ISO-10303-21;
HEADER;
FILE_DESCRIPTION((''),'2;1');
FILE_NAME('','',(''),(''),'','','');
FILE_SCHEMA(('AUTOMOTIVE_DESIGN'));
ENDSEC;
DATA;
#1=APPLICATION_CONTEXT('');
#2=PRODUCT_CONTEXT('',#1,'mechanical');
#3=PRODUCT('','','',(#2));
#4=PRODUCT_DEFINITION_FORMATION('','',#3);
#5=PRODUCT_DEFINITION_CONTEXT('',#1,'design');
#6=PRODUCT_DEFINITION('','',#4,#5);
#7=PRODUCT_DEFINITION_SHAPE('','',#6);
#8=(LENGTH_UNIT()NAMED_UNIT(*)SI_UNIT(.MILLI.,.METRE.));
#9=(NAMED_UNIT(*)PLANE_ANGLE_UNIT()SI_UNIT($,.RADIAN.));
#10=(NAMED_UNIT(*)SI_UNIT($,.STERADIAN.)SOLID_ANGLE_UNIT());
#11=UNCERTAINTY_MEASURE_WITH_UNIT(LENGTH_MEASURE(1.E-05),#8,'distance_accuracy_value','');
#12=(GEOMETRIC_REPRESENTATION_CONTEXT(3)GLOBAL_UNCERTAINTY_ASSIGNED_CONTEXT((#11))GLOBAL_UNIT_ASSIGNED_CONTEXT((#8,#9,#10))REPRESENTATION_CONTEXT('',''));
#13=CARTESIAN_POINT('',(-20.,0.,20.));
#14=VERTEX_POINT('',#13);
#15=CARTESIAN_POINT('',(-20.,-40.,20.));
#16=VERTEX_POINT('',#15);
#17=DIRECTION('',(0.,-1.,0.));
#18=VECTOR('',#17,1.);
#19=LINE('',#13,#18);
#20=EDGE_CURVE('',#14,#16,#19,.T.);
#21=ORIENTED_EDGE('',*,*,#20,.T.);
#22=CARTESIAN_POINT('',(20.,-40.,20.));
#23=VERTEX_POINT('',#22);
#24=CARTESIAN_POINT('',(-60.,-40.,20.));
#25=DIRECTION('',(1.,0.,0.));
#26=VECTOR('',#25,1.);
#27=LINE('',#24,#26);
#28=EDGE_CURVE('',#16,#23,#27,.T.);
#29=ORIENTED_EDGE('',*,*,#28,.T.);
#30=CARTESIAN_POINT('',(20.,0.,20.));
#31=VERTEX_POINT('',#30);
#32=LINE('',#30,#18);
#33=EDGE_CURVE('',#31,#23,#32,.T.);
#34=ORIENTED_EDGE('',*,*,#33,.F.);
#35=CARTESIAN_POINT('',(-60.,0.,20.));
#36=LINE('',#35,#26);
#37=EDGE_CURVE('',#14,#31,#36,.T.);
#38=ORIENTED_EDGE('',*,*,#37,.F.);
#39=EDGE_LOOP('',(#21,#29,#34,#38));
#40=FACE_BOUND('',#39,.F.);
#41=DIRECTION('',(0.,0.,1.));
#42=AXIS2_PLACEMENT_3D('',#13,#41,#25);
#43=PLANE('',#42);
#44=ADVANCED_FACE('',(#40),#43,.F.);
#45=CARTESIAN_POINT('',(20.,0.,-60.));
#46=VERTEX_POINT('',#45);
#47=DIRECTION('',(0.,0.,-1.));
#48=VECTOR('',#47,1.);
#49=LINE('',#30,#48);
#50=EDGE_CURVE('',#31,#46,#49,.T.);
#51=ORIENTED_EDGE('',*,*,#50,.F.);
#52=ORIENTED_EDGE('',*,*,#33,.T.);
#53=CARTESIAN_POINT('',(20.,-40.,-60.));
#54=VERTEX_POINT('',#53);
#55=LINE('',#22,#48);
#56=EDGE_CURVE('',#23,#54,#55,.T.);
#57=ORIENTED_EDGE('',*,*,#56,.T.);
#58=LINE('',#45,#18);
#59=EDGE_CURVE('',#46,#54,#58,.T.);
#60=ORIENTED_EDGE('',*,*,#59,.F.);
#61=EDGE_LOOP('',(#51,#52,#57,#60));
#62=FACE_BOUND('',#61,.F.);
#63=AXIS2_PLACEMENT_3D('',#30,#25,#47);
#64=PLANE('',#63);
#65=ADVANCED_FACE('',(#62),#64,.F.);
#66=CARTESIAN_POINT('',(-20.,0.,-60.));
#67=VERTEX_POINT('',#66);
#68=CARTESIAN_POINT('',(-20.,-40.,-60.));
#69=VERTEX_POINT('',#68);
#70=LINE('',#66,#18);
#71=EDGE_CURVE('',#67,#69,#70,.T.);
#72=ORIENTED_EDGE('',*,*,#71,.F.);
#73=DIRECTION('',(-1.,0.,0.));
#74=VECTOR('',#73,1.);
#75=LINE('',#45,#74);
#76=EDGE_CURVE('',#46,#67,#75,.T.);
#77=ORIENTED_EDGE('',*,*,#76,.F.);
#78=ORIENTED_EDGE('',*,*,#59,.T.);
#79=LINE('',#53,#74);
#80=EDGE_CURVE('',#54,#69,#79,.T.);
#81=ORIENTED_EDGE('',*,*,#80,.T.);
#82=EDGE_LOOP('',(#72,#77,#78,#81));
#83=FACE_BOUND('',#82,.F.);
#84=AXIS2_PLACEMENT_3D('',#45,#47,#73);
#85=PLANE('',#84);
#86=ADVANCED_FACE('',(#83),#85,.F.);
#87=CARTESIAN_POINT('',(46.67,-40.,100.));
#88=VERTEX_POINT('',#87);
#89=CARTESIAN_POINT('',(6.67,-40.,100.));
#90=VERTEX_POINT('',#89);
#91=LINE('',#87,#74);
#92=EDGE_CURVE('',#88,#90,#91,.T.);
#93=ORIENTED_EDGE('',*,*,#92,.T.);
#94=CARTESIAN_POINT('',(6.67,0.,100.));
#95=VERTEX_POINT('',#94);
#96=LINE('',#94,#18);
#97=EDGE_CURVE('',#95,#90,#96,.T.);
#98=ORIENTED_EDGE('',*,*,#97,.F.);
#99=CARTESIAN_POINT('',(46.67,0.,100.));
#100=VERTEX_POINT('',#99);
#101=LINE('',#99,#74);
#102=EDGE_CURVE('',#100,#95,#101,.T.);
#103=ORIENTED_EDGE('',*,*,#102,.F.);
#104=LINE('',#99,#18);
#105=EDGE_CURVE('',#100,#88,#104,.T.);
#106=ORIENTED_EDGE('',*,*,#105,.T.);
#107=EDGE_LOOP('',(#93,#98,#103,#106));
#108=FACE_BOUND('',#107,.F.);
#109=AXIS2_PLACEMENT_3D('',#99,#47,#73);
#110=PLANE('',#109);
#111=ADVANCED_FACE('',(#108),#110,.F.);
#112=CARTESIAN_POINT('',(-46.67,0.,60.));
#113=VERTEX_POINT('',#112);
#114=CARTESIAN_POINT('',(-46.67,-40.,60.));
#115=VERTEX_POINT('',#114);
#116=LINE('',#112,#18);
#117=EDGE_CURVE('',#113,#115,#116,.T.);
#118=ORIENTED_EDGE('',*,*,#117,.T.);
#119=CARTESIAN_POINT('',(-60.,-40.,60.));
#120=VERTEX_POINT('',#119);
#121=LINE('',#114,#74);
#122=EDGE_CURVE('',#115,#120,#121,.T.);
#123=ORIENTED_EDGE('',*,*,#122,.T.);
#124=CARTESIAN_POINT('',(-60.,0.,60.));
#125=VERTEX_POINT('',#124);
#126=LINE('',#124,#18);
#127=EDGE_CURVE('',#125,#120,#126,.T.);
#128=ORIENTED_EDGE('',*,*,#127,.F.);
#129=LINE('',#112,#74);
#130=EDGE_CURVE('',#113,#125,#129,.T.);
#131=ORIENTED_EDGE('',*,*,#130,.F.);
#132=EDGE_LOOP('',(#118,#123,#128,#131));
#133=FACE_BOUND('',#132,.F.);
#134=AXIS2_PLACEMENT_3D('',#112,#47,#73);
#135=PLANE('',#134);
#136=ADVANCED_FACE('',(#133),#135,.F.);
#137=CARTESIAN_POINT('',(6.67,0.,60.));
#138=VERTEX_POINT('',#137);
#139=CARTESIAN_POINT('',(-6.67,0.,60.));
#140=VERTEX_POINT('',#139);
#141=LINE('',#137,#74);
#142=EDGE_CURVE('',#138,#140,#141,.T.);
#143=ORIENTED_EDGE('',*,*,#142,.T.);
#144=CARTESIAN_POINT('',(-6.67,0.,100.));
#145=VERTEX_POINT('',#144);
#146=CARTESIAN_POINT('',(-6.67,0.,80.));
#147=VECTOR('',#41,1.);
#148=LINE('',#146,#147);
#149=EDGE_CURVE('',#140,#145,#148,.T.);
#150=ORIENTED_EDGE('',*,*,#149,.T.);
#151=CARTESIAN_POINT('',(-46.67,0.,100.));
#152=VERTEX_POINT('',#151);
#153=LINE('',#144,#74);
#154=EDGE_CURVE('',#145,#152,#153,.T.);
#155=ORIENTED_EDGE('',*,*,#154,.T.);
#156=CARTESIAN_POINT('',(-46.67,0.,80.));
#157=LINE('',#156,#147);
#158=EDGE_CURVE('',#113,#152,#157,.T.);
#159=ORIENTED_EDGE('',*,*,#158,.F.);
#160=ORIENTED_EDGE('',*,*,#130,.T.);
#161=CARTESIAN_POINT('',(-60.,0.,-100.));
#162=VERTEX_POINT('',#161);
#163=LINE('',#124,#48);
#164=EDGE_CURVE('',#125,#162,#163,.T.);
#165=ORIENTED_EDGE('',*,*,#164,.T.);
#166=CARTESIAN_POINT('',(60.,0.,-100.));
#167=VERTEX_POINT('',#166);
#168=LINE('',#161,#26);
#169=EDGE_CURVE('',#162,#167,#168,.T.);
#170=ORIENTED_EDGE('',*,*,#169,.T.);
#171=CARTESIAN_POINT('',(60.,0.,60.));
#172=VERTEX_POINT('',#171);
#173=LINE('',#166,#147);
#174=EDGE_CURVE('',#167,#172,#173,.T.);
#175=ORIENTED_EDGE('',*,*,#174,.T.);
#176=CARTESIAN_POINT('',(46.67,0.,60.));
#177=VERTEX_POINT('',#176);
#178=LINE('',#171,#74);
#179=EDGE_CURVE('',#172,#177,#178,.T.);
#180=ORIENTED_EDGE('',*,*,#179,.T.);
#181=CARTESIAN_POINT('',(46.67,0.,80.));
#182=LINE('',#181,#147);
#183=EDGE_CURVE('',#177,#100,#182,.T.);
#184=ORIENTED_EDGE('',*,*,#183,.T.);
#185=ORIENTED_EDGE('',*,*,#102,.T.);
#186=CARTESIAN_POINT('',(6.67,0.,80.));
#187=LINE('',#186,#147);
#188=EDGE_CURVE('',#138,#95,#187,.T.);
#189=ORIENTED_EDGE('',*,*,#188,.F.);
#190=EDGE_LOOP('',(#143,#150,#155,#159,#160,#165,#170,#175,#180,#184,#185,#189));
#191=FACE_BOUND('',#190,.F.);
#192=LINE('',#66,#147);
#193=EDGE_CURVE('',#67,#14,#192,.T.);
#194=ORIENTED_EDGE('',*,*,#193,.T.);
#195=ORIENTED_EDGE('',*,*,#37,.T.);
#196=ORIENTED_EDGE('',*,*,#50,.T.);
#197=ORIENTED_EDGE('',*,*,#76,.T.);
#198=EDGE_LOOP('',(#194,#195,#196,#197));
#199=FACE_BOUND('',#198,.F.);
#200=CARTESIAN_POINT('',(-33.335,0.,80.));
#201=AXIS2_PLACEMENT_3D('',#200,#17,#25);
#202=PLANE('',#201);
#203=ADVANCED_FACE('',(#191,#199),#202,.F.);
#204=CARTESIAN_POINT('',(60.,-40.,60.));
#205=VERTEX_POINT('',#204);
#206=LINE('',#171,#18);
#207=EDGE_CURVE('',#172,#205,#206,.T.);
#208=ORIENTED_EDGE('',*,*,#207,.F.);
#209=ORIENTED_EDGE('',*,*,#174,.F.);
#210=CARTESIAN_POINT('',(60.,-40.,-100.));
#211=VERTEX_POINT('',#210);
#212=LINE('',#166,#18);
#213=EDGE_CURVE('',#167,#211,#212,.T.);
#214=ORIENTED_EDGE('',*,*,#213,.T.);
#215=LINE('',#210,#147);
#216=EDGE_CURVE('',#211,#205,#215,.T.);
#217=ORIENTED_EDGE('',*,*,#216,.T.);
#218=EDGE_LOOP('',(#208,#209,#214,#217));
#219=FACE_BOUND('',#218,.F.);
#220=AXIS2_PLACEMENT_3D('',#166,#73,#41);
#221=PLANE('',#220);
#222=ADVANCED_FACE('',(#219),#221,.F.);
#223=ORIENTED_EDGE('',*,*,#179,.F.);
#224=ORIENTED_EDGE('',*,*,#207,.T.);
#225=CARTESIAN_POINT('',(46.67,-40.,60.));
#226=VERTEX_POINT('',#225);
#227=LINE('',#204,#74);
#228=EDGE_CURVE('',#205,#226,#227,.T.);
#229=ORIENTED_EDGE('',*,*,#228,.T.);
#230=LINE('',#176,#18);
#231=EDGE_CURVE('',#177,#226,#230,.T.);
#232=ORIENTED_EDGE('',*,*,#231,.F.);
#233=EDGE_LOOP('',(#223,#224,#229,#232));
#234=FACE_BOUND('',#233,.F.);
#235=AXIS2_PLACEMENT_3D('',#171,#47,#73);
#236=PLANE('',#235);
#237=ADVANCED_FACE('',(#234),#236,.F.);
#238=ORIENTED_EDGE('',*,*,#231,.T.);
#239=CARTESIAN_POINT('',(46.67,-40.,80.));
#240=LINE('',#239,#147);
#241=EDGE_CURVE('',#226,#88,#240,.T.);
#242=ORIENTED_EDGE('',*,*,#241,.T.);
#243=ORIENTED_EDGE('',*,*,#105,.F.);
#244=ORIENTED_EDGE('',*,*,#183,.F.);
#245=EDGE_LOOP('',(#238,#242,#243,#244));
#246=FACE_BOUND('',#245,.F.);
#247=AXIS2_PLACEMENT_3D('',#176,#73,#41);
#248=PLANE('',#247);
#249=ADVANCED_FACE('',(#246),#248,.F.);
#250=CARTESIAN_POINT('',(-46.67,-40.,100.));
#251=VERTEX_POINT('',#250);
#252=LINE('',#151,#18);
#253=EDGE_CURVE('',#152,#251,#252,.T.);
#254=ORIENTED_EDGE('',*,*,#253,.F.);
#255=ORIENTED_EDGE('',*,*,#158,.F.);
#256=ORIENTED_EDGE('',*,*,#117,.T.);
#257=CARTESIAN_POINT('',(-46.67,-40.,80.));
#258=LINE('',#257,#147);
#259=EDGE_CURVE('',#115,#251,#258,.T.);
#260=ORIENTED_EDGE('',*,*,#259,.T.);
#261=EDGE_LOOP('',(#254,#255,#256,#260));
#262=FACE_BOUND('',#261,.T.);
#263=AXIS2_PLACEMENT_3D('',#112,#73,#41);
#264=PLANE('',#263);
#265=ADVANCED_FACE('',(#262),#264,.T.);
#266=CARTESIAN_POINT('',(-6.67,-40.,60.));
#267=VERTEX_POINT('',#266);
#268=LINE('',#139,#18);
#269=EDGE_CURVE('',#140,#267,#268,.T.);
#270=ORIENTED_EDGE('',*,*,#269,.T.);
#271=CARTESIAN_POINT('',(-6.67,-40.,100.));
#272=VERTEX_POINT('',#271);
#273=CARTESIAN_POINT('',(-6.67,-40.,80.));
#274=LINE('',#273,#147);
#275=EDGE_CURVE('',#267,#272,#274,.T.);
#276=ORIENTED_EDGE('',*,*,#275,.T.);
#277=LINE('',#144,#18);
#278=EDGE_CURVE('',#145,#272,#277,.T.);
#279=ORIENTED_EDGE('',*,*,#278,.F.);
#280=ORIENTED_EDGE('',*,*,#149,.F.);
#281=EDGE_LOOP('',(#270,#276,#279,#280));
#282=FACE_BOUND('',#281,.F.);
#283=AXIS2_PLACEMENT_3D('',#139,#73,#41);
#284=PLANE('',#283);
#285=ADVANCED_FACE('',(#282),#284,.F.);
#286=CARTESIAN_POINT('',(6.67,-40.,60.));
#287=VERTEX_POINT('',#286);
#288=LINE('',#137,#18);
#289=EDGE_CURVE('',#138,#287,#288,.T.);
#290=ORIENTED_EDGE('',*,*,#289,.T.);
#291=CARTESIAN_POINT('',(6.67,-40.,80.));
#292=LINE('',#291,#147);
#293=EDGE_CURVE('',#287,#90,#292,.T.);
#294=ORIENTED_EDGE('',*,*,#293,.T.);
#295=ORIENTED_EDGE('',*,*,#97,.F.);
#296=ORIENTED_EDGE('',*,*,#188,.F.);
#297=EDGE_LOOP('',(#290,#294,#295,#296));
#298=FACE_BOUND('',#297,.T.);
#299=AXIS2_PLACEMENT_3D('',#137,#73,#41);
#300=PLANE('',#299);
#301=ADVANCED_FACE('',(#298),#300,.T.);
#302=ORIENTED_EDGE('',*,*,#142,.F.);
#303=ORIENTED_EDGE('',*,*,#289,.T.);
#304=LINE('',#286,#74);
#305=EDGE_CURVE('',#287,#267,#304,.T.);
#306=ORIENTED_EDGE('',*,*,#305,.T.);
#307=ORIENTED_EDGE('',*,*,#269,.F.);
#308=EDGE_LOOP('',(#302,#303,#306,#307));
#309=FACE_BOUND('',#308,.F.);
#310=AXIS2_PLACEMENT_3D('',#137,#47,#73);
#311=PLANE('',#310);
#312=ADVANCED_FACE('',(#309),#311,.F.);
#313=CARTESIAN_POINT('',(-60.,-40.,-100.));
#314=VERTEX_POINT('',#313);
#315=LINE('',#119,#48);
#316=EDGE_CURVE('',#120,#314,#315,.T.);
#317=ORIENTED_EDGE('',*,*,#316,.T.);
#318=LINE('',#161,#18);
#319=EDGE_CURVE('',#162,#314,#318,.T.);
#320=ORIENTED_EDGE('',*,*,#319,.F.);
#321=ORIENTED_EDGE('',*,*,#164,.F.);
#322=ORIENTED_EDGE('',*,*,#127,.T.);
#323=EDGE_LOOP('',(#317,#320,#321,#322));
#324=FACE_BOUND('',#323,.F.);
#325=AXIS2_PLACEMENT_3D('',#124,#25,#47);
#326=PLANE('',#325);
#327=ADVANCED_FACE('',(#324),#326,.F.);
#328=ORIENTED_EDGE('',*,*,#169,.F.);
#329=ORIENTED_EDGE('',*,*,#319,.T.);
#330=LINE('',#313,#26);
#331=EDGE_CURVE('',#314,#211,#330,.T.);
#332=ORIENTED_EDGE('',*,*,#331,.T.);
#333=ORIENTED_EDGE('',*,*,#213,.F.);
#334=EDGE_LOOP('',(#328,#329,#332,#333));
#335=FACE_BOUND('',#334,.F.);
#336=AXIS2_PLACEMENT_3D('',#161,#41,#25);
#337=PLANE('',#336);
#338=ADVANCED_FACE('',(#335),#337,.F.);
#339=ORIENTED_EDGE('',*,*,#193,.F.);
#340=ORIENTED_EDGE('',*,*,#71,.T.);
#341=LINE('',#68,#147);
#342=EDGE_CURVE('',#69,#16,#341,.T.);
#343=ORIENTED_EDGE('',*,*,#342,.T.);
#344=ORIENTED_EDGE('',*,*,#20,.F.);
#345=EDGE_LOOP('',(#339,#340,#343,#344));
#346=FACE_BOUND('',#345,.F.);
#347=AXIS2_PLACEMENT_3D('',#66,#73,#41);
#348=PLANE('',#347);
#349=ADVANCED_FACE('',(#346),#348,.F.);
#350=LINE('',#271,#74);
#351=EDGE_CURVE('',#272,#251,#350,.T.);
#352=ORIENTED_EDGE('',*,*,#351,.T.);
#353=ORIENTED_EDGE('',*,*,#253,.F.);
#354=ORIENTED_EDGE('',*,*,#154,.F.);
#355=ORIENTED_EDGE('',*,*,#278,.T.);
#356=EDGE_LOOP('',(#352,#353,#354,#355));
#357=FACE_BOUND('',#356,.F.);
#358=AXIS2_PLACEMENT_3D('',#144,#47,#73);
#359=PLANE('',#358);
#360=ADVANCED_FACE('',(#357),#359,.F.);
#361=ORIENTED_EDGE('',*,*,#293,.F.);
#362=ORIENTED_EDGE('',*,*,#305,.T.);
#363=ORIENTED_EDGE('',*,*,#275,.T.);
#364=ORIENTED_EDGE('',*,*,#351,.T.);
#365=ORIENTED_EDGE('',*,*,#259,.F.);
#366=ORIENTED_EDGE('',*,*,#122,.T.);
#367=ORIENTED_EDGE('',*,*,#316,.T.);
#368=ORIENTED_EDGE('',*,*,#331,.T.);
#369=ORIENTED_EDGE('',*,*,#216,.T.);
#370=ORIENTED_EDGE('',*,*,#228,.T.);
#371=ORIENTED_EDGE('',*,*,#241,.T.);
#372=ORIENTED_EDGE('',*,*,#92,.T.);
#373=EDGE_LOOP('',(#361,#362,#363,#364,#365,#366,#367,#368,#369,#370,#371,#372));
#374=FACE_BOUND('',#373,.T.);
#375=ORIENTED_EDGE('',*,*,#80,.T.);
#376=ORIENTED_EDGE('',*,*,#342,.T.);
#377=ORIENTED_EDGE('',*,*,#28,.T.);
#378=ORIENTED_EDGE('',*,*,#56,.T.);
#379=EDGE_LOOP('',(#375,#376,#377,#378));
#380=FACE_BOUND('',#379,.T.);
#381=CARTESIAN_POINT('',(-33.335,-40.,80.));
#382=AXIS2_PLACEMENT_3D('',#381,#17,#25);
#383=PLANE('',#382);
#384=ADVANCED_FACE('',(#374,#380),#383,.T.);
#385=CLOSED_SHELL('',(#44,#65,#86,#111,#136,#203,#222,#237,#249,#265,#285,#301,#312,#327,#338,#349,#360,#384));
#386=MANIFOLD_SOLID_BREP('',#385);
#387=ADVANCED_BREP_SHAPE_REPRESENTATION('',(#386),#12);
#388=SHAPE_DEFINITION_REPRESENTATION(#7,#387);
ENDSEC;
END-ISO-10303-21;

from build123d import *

# Parameters (mm, degrees)
F0_W     = 26.67
F0_H     = 40
F0_W_2   = 13.33
F0_W_3   = 40
F1_DEPTH = 40


with BuildPart() as f1:
    # F0 (on Front) → F1 (new body)
    with BuildSketch(Plane.XZ):
        with Locations((-33.335, 80)):
            Rectangle(F0_W, F0_H)
        with Locations((-13.335, 80)):
            Rectangle(F0_W_2, F0_H)
        with Locations((13.335, 80)):
            Rectangle(F0_W_2, F0_H)
        with Locations((33.335, 80)):
            Rectangle(F0_W, F0_H)
        Polygon((-60, 20), (-20, 20), (-20, 60), (-46.67, 60), (-60, 60), align=None)
        Polygon((20, 20), (20, 60), (6.67, 60), (-6.67, 60), (-20, 60), (-20, 20), align=None)
        Polygon((60, 20), (60, 60), (46.67, 60), (20, 60), (20, 20), align=None)
        with Locations((40, 0)):
            Rectangle(F0_W_3, F0_H)
        with Locations((40, -40)):
            Rectangle(F0_W_3, F0_H)
        with Locations((40, -80)):
            Rectangle(F0_W_3, F0_H)
        with Locations((0, -80)):
            Rectangle(F0_W_3, F0_H)
        with Locations((-40, -80)):
            Rectangle(F0_W_3, F0_H)
        with Locations((-40, -40)):
            Rectangle(F0_W_3, F0_H)
        with Locations((-40, 0)):
            Rectangle(F0_W_3, F0_H)
    extrude(amount=F1_DEPTH)


solid = f1.part
